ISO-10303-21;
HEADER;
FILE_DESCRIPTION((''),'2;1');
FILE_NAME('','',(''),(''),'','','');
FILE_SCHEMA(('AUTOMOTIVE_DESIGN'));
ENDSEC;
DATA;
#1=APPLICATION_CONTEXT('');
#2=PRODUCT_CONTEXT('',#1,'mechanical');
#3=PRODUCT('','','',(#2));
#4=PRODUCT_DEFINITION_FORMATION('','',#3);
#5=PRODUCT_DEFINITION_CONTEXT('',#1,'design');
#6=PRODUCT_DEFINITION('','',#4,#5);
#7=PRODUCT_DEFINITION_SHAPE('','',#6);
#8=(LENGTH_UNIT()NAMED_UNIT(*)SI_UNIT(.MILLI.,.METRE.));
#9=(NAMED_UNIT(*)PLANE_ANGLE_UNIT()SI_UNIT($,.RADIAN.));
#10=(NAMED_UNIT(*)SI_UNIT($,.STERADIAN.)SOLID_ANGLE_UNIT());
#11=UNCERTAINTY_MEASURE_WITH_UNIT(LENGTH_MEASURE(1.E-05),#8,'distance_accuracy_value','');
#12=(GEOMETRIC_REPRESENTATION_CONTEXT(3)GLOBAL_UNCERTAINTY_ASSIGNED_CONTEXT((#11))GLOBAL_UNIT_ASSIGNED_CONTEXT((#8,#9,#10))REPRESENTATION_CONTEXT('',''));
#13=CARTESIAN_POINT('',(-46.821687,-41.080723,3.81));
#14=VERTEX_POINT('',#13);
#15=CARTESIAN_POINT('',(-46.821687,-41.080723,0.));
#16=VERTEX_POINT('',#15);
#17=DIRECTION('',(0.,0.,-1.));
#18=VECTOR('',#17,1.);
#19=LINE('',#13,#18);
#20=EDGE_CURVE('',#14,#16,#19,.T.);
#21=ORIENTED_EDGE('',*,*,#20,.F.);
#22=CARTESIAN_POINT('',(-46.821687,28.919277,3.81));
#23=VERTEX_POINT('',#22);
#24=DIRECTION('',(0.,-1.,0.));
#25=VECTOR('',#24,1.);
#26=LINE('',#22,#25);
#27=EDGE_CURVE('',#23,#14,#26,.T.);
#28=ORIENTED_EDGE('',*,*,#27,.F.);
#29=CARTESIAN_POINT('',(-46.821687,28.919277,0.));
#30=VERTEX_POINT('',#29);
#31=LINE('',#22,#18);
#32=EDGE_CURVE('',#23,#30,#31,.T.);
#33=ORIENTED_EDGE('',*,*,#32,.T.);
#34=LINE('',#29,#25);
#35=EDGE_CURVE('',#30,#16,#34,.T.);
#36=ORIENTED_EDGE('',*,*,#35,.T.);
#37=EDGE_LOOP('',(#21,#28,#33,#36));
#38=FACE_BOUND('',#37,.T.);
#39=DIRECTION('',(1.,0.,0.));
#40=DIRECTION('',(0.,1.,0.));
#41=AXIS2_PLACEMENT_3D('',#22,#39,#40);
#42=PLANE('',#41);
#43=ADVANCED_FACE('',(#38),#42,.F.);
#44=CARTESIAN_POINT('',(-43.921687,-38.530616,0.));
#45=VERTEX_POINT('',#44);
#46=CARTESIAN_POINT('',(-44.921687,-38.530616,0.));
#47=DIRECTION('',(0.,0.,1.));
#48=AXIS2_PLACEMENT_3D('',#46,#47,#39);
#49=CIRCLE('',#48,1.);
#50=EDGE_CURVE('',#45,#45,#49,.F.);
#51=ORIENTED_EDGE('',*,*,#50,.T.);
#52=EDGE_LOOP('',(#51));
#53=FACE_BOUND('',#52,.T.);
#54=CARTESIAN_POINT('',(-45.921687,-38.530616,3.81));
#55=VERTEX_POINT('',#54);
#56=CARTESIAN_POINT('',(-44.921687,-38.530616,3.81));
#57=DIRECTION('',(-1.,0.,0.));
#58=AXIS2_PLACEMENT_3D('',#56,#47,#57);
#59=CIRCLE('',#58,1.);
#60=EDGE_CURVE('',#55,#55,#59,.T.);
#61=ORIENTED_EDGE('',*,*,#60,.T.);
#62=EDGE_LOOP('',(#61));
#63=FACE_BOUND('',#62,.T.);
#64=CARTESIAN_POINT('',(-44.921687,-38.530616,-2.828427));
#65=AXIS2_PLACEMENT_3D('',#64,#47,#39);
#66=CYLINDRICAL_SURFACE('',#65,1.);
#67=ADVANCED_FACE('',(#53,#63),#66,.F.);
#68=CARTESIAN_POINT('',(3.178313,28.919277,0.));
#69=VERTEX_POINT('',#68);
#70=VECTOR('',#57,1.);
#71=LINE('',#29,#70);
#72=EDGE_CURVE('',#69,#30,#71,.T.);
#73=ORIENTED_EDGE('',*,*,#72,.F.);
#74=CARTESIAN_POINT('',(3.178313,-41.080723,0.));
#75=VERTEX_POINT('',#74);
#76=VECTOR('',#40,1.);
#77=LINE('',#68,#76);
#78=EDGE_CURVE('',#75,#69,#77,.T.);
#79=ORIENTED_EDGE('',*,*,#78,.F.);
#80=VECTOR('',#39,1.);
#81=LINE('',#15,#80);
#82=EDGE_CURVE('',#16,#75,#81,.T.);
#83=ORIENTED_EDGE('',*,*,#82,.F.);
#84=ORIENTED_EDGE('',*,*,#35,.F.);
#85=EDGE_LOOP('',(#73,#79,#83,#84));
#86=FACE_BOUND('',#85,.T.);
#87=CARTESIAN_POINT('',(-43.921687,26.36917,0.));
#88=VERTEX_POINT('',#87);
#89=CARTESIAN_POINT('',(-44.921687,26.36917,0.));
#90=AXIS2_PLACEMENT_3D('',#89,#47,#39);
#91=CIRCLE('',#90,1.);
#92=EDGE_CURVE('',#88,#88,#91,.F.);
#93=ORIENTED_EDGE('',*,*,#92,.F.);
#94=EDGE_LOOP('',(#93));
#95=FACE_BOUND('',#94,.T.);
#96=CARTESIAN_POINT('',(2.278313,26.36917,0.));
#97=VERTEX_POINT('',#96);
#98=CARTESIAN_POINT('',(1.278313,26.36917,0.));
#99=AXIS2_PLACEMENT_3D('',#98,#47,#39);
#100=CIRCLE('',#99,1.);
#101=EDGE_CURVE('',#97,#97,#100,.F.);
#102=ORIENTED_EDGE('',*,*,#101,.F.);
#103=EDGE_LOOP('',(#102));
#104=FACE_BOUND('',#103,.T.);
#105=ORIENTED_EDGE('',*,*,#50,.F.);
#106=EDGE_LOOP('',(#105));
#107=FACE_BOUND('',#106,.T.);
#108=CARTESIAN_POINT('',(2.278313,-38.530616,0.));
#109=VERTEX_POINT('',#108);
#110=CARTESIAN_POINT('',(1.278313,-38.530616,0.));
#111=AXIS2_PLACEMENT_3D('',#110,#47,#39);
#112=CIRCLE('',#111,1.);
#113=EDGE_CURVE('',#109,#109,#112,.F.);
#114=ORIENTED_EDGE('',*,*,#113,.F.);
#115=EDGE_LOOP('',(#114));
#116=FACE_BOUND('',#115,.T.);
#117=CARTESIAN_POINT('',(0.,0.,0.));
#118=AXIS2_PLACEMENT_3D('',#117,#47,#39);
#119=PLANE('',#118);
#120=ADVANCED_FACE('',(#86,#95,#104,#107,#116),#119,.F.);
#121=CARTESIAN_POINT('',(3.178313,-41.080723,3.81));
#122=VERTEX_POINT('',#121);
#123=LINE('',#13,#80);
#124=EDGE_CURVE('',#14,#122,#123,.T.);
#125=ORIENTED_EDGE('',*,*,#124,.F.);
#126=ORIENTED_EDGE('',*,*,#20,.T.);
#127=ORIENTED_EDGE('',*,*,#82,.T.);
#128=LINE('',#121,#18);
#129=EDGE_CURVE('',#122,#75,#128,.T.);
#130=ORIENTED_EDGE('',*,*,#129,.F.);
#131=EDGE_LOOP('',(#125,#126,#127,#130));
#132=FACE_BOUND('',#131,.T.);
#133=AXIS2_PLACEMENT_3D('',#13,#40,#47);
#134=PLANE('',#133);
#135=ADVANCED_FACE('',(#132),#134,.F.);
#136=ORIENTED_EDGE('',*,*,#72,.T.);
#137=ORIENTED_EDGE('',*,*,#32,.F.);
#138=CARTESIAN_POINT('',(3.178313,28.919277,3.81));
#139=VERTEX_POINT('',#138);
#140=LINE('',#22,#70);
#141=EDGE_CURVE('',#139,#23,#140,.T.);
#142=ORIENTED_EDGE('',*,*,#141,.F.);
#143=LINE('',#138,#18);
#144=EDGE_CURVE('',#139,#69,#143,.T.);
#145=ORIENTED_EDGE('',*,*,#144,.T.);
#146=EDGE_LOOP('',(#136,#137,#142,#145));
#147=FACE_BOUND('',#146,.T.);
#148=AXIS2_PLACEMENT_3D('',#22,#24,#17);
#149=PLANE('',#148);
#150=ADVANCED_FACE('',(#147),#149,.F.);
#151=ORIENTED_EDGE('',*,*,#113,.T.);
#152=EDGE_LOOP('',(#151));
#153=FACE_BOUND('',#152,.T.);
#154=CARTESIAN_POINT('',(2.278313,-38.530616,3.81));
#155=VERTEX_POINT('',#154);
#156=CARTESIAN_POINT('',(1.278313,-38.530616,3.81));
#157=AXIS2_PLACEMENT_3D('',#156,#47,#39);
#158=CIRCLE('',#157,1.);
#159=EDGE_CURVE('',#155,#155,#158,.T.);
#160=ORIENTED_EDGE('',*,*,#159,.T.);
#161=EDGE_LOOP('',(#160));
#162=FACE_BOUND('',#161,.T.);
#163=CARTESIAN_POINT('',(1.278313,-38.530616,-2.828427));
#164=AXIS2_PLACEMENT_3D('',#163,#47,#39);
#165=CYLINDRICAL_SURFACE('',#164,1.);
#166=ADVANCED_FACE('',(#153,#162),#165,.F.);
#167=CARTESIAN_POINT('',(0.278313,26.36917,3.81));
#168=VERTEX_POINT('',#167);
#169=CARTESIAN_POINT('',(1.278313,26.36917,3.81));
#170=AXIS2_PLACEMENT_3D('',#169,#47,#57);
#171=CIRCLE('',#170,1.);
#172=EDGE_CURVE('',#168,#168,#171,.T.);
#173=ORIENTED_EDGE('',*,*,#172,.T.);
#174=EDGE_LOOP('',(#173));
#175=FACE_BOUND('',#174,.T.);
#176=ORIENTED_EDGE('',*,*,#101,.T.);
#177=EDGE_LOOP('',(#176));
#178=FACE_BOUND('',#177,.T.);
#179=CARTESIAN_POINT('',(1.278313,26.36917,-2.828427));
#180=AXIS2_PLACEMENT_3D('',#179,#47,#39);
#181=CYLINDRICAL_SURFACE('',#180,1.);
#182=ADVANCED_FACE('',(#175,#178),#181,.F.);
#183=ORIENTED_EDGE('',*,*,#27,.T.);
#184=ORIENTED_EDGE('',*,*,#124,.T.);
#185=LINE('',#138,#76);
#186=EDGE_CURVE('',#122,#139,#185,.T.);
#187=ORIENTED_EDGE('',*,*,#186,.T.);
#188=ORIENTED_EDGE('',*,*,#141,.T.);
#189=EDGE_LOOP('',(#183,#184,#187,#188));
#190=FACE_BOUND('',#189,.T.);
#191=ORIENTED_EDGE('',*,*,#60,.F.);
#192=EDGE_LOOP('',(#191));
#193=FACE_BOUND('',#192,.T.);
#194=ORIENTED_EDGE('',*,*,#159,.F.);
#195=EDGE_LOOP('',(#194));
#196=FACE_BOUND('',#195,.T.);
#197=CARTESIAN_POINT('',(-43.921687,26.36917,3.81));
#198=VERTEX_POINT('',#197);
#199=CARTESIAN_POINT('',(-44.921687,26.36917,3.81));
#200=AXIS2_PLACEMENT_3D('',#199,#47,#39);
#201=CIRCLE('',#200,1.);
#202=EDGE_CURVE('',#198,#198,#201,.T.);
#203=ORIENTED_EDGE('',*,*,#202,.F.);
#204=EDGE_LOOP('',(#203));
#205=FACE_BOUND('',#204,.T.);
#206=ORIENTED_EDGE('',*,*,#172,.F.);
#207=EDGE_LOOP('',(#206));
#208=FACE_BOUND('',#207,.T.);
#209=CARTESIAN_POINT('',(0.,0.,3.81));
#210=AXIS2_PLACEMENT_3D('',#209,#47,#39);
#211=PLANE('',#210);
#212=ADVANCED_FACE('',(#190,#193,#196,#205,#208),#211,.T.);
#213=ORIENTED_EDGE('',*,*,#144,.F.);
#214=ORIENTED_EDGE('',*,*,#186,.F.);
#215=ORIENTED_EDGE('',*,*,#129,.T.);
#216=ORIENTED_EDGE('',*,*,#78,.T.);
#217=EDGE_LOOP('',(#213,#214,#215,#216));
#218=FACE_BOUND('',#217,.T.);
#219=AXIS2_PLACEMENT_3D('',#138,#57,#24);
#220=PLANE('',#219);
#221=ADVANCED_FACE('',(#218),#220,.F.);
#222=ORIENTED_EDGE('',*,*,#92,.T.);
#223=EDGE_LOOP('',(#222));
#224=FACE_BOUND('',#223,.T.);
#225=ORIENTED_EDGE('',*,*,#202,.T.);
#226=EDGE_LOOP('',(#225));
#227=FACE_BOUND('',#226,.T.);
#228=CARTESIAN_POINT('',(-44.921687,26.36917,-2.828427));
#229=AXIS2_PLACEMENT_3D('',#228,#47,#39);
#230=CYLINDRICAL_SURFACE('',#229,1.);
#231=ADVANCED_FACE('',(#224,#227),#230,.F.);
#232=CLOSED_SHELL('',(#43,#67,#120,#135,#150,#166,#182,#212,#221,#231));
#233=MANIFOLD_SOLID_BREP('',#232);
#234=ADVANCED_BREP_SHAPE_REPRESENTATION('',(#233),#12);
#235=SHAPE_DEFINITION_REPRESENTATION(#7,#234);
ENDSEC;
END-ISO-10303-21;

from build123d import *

# Parameters (mm, degrees)
SKETCH1_W           = 50
SKETCH1_H           = 70
BOSS_EXTRUDE1_DEPTH = 3.81
SKETCH2_R           = 1
CUT_EXTRUDE1_DEPTH  = 3.81


with BuildPart() as part:
    # Sketch1 → Boss-Extrude1 (new body)
    with BuildSketch(Plane.XY):
        with Locations((-21.821686747, -6.080722892)):
            Rectangle(SKETCH1_W, SKETCH1_H)
    extrude(amount=BOSS_EXTRUDE1_DEPTH)

    # Sketch2 → Cut-Extrude1 (cut)
    with BuildSketch(Plane.XY.offset(3.81)):
        with Locations((-44.921686747, 26.369170395)):
            Circle(SKETCH2_R)
        with Locations((1.278313253, 26.369170395)):
            Circle(SKETCH2_R)
        with Locations((1.278313253, -38.530616178)):
            Circle(SKETCH2_R)
        with Locations((-44.921686747, -38.530616178)):
            Circle(SKETCH2_R)
    extrude(amount=-CUT_EXTRUDE1_DEPTH, mode=Mode.SUBTRACT)


solid = part.part
